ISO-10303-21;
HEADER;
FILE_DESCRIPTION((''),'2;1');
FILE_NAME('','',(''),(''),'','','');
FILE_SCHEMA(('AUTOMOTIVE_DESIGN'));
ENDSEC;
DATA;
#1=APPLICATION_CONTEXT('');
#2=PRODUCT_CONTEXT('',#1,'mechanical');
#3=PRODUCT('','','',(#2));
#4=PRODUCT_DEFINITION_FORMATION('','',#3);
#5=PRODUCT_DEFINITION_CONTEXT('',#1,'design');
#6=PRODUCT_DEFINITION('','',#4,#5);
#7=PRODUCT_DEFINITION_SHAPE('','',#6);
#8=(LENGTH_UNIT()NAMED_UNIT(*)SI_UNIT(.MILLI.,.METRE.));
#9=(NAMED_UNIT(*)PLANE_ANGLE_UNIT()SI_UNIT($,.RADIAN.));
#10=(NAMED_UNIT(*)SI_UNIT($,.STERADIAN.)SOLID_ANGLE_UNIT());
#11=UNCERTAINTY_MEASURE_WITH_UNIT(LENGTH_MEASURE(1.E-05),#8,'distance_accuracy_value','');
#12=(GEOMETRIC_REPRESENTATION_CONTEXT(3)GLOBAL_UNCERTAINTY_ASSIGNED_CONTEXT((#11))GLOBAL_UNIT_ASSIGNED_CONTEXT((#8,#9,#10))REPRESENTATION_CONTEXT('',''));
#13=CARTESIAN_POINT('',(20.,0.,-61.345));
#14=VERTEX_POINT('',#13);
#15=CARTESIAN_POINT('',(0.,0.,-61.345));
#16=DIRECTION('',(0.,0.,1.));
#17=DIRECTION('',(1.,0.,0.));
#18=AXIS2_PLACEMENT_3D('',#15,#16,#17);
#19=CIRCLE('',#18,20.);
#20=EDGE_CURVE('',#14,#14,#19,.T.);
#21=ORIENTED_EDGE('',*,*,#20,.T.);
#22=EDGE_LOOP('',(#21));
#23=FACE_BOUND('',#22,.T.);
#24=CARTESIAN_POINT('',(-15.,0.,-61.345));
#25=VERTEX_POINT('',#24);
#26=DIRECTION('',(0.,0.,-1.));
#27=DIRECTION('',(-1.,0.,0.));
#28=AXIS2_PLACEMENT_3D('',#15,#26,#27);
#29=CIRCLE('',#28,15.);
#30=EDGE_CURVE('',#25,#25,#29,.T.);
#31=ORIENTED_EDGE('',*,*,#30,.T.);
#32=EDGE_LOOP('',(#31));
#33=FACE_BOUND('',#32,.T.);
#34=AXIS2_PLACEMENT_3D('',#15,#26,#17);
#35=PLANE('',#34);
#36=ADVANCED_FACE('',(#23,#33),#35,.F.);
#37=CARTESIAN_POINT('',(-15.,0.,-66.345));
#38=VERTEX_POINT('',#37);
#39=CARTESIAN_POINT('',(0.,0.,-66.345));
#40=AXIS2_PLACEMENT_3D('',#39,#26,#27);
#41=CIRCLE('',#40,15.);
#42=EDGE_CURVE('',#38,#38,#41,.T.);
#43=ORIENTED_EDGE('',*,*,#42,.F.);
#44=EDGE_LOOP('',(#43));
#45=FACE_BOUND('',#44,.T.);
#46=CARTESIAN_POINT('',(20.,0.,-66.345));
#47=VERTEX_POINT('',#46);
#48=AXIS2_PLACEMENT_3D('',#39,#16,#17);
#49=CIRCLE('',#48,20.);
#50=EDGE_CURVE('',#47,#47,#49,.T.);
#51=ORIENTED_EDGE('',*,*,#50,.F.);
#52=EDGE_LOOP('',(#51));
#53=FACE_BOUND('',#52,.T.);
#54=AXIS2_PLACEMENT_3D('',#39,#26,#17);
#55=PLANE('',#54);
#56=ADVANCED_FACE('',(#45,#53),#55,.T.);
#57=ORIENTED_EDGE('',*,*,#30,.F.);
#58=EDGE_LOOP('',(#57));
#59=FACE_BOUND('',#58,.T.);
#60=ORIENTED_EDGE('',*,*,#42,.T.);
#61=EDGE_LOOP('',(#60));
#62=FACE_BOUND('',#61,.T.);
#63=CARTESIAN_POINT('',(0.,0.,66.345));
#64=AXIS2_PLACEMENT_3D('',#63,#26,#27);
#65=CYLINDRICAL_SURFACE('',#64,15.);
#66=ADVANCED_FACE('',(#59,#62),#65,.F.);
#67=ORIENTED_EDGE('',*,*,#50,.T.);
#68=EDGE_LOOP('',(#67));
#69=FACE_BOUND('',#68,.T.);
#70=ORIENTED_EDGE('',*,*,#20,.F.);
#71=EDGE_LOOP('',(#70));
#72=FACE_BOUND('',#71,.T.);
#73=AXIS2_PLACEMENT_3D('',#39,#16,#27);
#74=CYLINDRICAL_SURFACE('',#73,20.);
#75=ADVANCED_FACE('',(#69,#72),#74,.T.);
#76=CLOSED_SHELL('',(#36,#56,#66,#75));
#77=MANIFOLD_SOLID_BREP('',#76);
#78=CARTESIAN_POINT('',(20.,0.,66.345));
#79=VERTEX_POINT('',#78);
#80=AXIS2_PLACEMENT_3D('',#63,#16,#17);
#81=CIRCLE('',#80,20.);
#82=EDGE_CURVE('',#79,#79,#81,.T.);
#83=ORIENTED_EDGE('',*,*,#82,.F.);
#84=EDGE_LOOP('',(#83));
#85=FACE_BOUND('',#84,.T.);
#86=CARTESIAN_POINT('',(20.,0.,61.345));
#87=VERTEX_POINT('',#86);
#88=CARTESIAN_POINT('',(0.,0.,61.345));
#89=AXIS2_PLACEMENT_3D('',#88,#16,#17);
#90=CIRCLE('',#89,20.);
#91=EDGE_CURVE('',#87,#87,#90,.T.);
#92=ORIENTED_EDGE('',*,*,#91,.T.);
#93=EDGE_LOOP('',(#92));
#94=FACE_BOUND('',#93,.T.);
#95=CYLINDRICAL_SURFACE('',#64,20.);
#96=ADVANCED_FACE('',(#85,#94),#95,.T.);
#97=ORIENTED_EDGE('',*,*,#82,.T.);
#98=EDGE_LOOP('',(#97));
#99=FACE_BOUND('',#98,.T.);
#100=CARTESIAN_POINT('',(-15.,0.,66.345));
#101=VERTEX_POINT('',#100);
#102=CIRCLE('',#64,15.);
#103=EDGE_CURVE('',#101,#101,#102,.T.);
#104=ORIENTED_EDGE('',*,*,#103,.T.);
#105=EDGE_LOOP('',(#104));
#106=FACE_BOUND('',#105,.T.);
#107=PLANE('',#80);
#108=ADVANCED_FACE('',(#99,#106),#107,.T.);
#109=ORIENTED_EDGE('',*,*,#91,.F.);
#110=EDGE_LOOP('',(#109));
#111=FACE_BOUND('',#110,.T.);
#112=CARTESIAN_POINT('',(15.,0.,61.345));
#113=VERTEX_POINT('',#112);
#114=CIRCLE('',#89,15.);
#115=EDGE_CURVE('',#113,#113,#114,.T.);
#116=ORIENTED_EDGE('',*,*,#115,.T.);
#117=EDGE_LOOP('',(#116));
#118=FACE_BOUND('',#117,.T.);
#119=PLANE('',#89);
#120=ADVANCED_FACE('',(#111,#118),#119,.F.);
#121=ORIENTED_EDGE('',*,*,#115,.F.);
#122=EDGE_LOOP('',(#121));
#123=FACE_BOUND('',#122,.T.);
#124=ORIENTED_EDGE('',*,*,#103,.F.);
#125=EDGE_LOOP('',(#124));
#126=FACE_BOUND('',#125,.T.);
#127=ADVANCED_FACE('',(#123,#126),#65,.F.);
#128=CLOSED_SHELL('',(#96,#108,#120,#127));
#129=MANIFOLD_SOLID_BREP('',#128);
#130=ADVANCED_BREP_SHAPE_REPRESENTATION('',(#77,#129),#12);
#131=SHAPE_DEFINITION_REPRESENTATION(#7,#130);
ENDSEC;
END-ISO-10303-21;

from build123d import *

# Parameters (mm, degrees)
SKETCH1_R               = 12.7
BOSS_EXTRUDE1_DEPTH     = 61.345
SKETCH2_R               = 20
SKETCH2_R_2             = 18
CUT_EXTRUDE2_DEPTH      = 1.85
SKETCH6_R               = 20
BOSS_EXTRUDE2_DEPTH     = 5
SKETCH7_R               = 15
CUT_EXTRUDE3_DEPTH      = 1
CUT_EXTRUDE3_DEPTH_BACK = 133.69


with BuildPart() as part:
    # Sketch1 → Boss-Extrude1 (new body)
    with BuildSketch(Plane.XY):
        Circle(SKETCH1_R)
    extrude(amount=BOSS_EXTRUDE1_DEPTH)

    # Sketch2 → Cut-Extrude2 (cut)
    with BuildSketch(Plane.XY.offset(61.345)):
        Circle(SKETCH2_R)
        Circle(SKETCH2_R_2, mode=Mode.SUBTRACT)
    extrude(amount=-CUT_EXTRUDE2_DEPTH, mode=Mode.SUBTRACT)

    # Sketch6 → Boss-Extrude2 (add)
    with BuildSketch(Plane.XY.offset(61.345)):
        Circle(SKETCH6_R)
    extrude(amount=BOSS_EXTRUDE2_DEPTH)

    # Mirror2: part across plane


with BuildPart() as part_1:
    add(part.part)
    add(part.part.mirror(Plane.XY))

    # Sketch7 → Cut-Extrude3 (cut, two sides)
    with BuildSketch(Plane(origin=(0, 0, -66.345), x_dir=(-1, 0, 0), z_dir=(0, 0, -1))) as cut_extrude3_sk:
        Circle(SKETCH7_R)
    extrude(amount=CUT_EXTRUDE3_DEPTH, mode=Mode.SUBTRACT)
    extrude(cut_extrude3_sk.sketch, amount=-CUT_EXTRUDE3_DEPTH_BACK, mode=Mode.SUBTRACT)


solid = part_1.part
